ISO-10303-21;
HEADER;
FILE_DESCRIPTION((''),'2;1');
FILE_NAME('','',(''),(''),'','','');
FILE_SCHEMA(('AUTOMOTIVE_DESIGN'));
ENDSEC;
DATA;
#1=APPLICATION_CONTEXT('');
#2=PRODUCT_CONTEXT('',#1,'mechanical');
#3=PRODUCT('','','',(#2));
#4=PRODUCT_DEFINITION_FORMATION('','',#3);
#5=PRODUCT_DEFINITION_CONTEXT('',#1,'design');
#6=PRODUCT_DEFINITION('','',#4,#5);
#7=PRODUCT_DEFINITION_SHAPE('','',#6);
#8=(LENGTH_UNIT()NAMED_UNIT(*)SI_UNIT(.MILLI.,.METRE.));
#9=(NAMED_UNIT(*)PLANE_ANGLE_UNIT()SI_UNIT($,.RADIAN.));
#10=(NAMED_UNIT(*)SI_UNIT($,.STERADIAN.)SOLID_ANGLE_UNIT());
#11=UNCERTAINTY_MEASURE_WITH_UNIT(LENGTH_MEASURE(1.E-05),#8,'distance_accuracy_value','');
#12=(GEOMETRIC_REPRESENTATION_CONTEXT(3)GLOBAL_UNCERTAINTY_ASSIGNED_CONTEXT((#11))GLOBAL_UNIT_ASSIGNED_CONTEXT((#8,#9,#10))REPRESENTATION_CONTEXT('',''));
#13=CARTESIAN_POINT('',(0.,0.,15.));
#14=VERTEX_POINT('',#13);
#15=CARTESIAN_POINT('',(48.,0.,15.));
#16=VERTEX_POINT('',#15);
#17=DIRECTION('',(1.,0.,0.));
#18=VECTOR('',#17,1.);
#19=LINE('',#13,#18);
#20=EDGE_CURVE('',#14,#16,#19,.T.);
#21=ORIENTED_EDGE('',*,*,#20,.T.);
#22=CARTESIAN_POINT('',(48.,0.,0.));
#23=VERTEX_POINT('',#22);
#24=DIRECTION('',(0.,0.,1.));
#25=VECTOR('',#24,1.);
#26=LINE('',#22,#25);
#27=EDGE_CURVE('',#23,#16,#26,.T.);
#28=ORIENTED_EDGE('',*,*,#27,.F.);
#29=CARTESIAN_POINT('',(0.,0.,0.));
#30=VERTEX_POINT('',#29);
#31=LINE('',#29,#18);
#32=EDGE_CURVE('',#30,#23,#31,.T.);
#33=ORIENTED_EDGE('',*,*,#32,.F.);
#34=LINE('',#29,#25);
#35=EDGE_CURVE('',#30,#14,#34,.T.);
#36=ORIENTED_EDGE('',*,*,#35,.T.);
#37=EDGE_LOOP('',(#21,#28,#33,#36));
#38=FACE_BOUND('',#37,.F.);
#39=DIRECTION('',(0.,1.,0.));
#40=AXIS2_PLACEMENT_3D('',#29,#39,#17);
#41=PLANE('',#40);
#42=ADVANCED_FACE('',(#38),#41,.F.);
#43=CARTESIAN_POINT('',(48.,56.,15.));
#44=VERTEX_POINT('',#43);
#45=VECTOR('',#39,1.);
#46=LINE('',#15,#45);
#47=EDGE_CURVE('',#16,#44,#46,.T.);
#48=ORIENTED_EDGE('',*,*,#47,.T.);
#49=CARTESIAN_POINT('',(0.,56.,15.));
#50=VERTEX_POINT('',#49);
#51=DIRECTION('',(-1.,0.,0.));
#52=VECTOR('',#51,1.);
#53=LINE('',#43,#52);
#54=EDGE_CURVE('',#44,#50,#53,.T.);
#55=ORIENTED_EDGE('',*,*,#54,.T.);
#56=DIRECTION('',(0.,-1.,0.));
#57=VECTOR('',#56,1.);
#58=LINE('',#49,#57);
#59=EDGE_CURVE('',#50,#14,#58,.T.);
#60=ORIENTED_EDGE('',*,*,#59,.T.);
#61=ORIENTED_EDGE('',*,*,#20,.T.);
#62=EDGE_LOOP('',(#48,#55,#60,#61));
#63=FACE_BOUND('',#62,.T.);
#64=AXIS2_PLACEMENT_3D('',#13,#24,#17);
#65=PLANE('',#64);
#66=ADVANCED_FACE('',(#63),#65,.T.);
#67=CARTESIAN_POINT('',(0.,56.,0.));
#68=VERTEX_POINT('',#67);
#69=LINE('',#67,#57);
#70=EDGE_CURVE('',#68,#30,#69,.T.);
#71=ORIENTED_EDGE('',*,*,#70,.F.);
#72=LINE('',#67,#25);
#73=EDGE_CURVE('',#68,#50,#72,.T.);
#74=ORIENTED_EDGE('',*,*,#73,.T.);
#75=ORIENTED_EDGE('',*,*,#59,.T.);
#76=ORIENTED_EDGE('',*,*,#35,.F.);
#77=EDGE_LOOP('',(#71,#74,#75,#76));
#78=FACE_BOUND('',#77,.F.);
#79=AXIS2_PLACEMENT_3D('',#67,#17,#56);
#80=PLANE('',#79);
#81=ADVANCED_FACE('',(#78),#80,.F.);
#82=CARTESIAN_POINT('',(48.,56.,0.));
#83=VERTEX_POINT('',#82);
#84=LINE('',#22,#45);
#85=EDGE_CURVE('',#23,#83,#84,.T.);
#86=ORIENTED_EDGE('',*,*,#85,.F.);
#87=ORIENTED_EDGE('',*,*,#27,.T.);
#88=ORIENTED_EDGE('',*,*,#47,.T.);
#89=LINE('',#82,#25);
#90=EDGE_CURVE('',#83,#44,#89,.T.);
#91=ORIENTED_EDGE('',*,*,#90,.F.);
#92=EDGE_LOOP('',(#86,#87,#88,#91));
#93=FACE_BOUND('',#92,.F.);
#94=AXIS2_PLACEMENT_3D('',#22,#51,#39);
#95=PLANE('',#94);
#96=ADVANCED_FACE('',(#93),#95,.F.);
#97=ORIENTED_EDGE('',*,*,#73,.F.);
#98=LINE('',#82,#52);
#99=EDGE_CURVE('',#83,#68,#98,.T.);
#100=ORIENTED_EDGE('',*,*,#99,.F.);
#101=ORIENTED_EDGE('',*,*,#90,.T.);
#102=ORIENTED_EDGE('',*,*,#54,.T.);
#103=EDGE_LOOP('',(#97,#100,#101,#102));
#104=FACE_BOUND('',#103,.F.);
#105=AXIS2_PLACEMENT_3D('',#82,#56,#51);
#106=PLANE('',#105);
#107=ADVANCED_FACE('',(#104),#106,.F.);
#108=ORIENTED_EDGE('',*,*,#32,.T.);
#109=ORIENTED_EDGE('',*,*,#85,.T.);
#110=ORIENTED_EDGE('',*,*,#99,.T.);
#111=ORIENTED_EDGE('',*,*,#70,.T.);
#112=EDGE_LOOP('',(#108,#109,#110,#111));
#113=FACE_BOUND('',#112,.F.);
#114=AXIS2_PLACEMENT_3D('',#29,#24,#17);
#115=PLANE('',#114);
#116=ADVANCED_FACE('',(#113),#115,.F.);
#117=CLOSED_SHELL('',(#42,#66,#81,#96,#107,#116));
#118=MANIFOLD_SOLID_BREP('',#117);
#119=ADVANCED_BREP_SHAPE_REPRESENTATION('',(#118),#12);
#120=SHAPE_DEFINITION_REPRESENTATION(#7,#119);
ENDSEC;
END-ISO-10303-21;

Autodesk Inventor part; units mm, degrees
ref_plane "YZ Plane" through (0, 0, 0) normal (1, 0, 0) x (0, 1, 0)
ref_plane "XZ Plane" through (0, 0, 0) normal (0, 1, 0) x (-1, 0, 0)
ref_plane "XY Plane" through (0, 0, 0) normal (0, 0, 1) x (1, 0, 0)
sketch "スケッチ1" plane through (0, 0, 0) normal (0, 0, 1) x (1, 0, 0)
  line L0 (0, 0) -> (48, 0)
  line L1 (48, 0) -> (48, 56)
  line L2 (48, 56) -> (0, 56)
  line L3 (0, 56) -> (0, 0)
  dimension "d0" = 48
  dimension "d1" = 56
extrude "押し出し1" add sketch "スケッチ1" along normal blind 15
properties part number "3SR12_電池ボックス小"
